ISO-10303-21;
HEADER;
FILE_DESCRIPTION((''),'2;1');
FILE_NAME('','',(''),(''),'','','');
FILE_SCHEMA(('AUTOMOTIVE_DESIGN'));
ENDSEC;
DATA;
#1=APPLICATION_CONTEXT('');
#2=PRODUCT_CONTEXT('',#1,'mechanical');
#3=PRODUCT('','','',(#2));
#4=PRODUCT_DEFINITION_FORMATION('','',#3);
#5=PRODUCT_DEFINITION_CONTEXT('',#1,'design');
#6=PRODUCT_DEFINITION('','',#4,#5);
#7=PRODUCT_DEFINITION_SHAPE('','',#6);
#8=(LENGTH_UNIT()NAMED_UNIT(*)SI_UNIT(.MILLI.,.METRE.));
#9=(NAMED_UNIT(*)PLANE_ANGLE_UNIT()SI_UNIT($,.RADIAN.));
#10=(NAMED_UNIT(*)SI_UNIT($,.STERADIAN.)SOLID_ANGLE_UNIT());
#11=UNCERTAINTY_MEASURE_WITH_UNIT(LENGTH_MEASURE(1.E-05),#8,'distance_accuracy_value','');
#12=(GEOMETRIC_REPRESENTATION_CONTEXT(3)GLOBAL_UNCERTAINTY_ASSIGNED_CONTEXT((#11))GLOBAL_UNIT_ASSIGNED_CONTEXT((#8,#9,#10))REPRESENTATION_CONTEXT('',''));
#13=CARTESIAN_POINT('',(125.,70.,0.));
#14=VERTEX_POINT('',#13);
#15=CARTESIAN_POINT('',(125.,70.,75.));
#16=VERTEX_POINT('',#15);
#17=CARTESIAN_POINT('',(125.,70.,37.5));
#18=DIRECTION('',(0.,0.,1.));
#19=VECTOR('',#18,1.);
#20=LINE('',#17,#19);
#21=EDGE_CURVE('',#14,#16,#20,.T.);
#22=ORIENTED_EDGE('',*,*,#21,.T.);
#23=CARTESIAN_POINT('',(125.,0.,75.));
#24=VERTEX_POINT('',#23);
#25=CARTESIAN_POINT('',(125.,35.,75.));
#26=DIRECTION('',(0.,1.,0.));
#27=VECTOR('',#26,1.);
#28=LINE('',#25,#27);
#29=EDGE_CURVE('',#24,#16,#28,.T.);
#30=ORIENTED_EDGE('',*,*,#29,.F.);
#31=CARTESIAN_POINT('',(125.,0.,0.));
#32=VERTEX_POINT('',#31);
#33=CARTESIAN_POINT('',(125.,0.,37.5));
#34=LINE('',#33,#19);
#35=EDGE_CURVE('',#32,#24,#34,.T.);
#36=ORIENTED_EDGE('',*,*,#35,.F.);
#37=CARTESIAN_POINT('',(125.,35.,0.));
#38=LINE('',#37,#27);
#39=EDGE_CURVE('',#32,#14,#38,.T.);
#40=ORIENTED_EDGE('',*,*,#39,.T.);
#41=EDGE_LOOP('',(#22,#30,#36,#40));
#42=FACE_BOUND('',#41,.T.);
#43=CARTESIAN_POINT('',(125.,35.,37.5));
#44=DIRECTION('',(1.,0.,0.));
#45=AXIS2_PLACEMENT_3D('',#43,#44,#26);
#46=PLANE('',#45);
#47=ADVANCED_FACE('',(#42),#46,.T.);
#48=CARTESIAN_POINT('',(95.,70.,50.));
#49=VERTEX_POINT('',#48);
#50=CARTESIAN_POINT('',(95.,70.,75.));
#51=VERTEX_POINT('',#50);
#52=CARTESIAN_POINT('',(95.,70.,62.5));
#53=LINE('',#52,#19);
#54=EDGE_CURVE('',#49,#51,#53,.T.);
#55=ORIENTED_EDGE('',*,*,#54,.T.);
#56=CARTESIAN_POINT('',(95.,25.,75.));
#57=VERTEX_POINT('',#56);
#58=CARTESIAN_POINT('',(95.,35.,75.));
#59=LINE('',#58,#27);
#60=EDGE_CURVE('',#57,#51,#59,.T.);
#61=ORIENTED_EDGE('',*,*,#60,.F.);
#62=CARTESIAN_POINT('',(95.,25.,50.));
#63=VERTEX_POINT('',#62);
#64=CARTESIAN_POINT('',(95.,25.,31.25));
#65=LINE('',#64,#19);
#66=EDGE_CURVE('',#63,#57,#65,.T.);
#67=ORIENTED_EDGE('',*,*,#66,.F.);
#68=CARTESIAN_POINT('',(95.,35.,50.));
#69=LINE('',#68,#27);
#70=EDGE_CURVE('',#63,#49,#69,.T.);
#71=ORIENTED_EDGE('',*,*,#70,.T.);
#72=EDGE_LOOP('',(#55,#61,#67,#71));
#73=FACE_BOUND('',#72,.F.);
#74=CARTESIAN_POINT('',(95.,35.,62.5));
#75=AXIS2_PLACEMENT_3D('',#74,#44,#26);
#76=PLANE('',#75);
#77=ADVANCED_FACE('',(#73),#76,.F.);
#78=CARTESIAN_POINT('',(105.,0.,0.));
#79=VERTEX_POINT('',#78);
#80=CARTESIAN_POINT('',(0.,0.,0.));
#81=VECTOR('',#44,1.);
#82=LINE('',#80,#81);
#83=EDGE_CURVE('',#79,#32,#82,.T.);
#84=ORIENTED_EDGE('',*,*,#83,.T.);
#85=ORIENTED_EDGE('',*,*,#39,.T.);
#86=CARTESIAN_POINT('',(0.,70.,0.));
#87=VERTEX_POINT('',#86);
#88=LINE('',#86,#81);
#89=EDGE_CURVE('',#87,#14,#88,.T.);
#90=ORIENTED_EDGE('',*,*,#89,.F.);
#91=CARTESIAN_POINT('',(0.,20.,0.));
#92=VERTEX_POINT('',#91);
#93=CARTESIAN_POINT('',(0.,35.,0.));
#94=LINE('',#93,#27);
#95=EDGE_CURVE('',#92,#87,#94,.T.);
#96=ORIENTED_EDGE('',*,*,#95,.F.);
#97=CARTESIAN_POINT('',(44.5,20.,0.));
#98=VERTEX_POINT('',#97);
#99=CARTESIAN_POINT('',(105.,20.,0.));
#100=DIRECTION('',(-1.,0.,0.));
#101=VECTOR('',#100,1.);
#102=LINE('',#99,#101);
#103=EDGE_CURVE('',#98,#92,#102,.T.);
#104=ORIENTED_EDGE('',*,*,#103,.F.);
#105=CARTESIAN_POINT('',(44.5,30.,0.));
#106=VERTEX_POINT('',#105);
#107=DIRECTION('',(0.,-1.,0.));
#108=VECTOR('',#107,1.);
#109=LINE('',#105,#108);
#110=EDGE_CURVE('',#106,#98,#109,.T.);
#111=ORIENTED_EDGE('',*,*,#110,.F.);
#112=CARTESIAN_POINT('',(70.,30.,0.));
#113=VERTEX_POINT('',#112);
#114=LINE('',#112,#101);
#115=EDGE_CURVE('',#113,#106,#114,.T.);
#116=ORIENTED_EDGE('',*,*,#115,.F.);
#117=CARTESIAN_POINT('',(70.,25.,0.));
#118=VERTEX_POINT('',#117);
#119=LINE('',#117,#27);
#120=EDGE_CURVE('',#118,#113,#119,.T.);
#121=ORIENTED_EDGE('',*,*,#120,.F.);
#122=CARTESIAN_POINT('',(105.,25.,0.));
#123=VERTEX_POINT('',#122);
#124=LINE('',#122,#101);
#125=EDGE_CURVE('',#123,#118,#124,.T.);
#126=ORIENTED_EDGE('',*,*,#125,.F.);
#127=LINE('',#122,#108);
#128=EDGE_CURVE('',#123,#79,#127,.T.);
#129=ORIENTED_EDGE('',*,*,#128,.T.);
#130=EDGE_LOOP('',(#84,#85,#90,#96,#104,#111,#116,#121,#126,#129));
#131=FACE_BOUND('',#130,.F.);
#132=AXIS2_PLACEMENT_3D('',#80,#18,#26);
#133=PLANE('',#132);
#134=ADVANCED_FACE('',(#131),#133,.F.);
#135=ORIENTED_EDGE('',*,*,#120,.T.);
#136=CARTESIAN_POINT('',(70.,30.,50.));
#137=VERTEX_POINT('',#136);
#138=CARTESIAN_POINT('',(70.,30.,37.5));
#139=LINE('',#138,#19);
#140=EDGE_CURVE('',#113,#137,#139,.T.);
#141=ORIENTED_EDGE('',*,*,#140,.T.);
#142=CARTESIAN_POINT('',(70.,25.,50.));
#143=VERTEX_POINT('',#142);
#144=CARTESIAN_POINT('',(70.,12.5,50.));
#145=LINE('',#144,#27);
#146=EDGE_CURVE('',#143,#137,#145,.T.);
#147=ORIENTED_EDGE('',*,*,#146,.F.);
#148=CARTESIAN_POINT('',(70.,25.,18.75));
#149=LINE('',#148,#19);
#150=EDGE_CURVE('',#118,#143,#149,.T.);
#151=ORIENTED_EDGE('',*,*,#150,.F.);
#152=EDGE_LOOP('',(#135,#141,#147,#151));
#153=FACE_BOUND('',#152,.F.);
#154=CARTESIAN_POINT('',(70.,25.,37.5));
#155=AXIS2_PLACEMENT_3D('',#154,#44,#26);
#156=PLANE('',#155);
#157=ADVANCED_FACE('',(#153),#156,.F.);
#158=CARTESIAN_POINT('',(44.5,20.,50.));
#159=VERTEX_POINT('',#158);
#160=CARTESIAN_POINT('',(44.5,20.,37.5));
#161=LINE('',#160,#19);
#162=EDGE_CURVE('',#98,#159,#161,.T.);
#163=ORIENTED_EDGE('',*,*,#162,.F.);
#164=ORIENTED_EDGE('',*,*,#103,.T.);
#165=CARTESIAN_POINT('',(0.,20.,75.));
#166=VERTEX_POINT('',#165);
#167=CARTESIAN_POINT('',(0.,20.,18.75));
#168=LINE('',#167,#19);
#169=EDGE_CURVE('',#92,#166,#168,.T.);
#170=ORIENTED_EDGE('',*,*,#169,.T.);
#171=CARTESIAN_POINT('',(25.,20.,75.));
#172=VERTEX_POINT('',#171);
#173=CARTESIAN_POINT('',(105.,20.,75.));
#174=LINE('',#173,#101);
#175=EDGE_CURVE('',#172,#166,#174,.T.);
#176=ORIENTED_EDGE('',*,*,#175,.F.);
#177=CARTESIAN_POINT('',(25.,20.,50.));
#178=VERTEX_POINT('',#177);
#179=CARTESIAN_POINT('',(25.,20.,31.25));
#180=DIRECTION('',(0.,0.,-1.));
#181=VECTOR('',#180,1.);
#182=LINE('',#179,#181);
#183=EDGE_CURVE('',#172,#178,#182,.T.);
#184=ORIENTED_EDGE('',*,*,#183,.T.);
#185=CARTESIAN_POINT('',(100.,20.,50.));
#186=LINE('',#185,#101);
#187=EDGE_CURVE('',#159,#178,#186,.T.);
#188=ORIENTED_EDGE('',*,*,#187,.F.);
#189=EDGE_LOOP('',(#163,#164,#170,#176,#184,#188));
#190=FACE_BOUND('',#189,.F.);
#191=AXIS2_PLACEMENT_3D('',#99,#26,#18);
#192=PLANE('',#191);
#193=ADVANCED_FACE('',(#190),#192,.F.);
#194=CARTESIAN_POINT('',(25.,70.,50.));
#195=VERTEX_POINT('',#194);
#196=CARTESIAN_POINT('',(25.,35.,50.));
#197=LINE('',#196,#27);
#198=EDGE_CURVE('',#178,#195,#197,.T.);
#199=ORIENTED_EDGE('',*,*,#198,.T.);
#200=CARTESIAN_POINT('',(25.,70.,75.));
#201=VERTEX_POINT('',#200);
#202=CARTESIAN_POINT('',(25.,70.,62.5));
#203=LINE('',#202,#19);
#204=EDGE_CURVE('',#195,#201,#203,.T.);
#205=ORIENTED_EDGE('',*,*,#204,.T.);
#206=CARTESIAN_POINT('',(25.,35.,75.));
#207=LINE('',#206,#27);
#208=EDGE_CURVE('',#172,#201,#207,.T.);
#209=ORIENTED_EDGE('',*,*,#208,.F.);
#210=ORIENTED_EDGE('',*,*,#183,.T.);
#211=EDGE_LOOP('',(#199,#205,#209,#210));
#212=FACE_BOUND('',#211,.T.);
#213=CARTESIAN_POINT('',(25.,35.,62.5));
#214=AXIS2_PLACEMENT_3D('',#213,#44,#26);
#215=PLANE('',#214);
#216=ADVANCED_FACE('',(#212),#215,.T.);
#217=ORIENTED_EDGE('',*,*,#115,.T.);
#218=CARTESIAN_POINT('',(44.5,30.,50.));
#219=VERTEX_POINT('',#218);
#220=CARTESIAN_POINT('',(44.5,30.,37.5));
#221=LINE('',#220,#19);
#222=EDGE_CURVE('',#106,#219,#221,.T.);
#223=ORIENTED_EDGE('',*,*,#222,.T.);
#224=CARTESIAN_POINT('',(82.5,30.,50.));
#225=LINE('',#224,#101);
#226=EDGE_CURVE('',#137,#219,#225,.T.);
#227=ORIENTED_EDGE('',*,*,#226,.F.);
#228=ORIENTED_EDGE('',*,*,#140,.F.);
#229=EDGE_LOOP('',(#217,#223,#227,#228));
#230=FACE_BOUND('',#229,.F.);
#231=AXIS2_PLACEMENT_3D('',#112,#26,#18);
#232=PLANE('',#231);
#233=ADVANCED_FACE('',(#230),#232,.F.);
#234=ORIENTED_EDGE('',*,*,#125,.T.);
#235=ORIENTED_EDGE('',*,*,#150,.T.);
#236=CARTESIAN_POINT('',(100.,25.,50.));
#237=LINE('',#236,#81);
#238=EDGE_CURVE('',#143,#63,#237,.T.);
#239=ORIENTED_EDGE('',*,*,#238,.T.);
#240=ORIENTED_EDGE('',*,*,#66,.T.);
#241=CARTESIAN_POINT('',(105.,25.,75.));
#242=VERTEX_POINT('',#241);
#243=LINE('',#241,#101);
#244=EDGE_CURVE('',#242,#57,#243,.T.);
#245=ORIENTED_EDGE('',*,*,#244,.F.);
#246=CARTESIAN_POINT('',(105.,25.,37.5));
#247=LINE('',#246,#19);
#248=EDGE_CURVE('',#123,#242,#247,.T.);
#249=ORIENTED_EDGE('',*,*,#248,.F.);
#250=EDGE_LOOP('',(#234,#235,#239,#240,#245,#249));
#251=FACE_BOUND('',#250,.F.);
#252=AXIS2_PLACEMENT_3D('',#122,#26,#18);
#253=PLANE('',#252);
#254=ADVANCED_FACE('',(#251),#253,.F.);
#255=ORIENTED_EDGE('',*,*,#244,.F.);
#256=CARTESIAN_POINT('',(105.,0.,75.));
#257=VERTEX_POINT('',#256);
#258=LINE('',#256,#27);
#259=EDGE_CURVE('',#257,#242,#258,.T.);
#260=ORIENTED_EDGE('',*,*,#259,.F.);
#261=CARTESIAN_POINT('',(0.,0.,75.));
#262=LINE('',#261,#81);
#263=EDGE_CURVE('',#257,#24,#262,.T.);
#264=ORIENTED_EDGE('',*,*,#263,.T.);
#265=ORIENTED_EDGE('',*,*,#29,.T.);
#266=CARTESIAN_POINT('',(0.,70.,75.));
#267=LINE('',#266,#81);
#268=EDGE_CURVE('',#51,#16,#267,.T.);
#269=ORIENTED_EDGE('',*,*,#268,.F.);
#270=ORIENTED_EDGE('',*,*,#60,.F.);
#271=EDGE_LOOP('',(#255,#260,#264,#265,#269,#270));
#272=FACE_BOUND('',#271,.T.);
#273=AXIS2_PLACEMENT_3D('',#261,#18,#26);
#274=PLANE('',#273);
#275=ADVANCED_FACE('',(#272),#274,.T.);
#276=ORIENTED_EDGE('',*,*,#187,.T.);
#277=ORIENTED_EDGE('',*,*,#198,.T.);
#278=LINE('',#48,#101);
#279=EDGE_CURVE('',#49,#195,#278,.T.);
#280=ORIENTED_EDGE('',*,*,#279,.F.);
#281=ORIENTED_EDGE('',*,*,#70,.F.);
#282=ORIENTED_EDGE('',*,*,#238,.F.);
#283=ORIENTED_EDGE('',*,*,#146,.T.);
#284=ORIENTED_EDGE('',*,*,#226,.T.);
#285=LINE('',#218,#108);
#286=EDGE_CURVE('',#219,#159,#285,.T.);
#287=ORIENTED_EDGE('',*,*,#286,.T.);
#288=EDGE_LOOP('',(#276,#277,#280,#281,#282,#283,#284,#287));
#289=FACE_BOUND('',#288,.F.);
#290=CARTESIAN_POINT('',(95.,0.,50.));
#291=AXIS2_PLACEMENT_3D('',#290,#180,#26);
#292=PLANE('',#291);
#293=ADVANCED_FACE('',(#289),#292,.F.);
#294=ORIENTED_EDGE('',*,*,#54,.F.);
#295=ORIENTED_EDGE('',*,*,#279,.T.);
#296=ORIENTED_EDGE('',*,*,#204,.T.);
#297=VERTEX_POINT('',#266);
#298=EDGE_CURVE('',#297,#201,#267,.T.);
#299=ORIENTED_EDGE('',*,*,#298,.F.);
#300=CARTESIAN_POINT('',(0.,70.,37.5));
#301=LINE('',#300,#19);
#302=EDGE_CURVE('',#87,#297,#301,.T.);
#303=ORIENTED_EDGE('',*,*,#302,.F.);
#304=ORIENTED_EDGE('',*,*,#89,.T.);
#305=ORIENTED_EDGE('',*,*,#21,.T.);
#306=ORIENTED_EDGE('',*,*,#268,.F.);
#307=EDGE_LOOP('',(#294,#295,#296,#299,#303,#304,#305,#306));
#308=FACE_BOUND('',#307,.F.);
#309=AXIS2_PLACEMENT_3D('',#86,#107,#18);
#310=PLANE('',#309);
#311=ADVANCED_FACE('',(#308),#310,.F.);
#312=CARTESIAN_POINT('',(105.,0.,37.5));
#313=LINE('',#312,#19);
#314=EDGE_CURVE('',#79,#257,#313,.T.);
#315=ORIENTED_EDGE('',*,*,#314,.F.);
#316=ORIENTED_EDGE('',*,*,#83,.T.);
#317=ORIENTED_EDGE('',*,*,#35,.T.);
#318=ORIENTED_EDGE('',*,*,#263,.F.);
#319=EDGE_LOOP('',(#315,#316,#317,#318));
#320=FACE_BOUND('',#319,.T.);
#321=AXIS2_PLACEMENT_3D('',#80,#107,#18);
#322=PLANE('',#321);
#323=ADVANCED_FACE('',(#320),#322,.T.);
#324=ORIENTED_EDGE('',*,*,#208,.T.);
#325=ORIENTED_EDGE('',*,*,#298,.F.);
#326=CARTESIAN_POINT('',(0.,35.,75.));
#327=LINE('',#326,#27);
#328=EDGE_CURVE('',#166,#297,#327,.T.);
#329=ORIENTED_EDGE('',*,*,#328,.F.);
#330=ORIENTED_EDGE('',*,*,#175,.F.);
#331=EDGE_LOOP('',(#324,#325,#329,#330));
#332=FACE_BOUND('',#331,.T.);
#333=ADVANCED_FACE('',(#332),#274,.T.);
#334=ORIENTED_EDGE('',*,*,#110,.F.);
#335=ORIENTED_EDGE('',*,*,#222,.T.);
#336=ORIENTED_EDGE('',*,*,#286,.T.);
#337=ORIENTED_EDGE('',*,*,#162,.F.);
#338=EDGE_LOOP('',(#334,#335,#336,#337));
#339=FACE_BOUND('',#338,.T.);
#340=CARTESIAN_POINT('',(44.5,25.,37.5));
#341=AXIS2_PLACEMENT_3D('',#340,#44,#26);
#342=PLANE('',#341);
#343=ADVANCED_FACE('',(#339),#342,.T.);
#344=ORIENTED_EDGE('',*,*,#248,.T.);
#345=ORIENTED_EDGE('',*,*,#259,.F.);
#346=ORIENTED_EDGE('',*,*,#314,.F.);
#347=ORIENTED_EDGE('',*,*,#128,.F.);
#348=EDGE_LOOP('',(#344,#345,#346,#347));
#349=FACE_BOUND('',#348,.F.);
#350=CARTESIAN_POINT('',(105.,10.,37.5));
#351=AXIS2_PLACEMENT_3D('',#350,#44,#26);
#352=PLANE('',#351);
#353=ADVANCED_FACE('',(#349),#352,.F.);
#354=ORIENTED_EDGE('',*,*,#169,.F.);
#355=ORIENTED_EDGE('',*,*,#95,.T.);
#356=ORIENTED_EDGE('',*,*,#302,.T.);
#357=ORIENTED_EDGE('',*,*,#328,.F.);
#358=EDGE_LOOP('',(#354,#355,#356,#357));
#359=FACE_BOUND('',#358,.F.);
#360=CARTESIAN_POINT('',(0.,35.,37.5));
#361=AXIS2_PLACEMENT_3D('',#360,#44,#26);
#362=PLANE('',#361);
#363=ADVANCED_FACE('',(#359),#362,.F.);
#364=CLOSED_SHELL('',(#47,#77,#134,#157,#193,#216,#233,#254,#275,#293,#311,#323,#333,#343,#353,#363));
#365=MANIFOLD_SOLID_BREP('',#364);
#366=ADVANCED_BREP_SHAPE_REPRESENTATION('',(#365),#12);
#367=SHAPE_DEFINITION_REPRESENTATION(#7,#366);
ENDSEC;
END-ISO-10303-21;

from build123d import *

# Parameters (mm, degrees)
F0_W     = 70
F0_H     = 75
F1_DEPTH = 125
F3_START = -20
F2_W     = 20
F2_H     = 75
F3_DEPTH = 105.001
F5_START = -55
F4_W     = 10
F4_H     = 75
F5_DEPTH = 25.5
F7_START = -30
F6_W     = 70
F6_H     = 25
F7_DEPTH = 70
F9_START = -20
F8_W     = 5
F8_H     = 75
F9_DEPTH = 60.5


with BuildPart() as f1:
    # F0 (on Right) → F1 (new body)
    with BuildSketch(Plane.YZ):
        with Locations((35, 37.5)):
            Rectangle(F0_W, F0_H)
    extrude(amount=F1_DEPTH)

    # F2 (on face) → F3 (cut)
    with BuildSketch(Plane.YZ.offset(125).offset(F3_START)):
        with Locations((10, 37.5)):
            Rectangle(F2_W, F2_H)
    extrude(amount=-F3_DEPTH, mode=Mode.SUBTRACT)

    # F4 (on face) → F5 (cut)
    with BuildSketch(Plane.YZ.offset(125).offset(F5_START)):
        with Locations((25, 37.5)):
            Rectangle(F4_W, F4_H)
    extrude(amount=-F5_DEPTH, mode=Mode.SUBTRACT)

    # F6 (on face) → F7 (cut)
    with BuildSketch(Plane.YZ.offset(125).offset(F7_START)):
        with Locations((35, 62.5)):
            Rectangle(F6_W, F6_H)
    extrude(amount=-F7_DEPTH, mode=Mode.SUBTRACT)

    # F8 (on face) → F9 (cut)
    with BuildSketch(Plane.YZ.offset(125).offset(F9_START)):
        with Locations((22.5, 37.5)):
            Rectangle(F8_W, F8_H)
    extrude(amount=-F9_DEPTH, mode=Mode.SUBTRACT)


solid = f1.part
